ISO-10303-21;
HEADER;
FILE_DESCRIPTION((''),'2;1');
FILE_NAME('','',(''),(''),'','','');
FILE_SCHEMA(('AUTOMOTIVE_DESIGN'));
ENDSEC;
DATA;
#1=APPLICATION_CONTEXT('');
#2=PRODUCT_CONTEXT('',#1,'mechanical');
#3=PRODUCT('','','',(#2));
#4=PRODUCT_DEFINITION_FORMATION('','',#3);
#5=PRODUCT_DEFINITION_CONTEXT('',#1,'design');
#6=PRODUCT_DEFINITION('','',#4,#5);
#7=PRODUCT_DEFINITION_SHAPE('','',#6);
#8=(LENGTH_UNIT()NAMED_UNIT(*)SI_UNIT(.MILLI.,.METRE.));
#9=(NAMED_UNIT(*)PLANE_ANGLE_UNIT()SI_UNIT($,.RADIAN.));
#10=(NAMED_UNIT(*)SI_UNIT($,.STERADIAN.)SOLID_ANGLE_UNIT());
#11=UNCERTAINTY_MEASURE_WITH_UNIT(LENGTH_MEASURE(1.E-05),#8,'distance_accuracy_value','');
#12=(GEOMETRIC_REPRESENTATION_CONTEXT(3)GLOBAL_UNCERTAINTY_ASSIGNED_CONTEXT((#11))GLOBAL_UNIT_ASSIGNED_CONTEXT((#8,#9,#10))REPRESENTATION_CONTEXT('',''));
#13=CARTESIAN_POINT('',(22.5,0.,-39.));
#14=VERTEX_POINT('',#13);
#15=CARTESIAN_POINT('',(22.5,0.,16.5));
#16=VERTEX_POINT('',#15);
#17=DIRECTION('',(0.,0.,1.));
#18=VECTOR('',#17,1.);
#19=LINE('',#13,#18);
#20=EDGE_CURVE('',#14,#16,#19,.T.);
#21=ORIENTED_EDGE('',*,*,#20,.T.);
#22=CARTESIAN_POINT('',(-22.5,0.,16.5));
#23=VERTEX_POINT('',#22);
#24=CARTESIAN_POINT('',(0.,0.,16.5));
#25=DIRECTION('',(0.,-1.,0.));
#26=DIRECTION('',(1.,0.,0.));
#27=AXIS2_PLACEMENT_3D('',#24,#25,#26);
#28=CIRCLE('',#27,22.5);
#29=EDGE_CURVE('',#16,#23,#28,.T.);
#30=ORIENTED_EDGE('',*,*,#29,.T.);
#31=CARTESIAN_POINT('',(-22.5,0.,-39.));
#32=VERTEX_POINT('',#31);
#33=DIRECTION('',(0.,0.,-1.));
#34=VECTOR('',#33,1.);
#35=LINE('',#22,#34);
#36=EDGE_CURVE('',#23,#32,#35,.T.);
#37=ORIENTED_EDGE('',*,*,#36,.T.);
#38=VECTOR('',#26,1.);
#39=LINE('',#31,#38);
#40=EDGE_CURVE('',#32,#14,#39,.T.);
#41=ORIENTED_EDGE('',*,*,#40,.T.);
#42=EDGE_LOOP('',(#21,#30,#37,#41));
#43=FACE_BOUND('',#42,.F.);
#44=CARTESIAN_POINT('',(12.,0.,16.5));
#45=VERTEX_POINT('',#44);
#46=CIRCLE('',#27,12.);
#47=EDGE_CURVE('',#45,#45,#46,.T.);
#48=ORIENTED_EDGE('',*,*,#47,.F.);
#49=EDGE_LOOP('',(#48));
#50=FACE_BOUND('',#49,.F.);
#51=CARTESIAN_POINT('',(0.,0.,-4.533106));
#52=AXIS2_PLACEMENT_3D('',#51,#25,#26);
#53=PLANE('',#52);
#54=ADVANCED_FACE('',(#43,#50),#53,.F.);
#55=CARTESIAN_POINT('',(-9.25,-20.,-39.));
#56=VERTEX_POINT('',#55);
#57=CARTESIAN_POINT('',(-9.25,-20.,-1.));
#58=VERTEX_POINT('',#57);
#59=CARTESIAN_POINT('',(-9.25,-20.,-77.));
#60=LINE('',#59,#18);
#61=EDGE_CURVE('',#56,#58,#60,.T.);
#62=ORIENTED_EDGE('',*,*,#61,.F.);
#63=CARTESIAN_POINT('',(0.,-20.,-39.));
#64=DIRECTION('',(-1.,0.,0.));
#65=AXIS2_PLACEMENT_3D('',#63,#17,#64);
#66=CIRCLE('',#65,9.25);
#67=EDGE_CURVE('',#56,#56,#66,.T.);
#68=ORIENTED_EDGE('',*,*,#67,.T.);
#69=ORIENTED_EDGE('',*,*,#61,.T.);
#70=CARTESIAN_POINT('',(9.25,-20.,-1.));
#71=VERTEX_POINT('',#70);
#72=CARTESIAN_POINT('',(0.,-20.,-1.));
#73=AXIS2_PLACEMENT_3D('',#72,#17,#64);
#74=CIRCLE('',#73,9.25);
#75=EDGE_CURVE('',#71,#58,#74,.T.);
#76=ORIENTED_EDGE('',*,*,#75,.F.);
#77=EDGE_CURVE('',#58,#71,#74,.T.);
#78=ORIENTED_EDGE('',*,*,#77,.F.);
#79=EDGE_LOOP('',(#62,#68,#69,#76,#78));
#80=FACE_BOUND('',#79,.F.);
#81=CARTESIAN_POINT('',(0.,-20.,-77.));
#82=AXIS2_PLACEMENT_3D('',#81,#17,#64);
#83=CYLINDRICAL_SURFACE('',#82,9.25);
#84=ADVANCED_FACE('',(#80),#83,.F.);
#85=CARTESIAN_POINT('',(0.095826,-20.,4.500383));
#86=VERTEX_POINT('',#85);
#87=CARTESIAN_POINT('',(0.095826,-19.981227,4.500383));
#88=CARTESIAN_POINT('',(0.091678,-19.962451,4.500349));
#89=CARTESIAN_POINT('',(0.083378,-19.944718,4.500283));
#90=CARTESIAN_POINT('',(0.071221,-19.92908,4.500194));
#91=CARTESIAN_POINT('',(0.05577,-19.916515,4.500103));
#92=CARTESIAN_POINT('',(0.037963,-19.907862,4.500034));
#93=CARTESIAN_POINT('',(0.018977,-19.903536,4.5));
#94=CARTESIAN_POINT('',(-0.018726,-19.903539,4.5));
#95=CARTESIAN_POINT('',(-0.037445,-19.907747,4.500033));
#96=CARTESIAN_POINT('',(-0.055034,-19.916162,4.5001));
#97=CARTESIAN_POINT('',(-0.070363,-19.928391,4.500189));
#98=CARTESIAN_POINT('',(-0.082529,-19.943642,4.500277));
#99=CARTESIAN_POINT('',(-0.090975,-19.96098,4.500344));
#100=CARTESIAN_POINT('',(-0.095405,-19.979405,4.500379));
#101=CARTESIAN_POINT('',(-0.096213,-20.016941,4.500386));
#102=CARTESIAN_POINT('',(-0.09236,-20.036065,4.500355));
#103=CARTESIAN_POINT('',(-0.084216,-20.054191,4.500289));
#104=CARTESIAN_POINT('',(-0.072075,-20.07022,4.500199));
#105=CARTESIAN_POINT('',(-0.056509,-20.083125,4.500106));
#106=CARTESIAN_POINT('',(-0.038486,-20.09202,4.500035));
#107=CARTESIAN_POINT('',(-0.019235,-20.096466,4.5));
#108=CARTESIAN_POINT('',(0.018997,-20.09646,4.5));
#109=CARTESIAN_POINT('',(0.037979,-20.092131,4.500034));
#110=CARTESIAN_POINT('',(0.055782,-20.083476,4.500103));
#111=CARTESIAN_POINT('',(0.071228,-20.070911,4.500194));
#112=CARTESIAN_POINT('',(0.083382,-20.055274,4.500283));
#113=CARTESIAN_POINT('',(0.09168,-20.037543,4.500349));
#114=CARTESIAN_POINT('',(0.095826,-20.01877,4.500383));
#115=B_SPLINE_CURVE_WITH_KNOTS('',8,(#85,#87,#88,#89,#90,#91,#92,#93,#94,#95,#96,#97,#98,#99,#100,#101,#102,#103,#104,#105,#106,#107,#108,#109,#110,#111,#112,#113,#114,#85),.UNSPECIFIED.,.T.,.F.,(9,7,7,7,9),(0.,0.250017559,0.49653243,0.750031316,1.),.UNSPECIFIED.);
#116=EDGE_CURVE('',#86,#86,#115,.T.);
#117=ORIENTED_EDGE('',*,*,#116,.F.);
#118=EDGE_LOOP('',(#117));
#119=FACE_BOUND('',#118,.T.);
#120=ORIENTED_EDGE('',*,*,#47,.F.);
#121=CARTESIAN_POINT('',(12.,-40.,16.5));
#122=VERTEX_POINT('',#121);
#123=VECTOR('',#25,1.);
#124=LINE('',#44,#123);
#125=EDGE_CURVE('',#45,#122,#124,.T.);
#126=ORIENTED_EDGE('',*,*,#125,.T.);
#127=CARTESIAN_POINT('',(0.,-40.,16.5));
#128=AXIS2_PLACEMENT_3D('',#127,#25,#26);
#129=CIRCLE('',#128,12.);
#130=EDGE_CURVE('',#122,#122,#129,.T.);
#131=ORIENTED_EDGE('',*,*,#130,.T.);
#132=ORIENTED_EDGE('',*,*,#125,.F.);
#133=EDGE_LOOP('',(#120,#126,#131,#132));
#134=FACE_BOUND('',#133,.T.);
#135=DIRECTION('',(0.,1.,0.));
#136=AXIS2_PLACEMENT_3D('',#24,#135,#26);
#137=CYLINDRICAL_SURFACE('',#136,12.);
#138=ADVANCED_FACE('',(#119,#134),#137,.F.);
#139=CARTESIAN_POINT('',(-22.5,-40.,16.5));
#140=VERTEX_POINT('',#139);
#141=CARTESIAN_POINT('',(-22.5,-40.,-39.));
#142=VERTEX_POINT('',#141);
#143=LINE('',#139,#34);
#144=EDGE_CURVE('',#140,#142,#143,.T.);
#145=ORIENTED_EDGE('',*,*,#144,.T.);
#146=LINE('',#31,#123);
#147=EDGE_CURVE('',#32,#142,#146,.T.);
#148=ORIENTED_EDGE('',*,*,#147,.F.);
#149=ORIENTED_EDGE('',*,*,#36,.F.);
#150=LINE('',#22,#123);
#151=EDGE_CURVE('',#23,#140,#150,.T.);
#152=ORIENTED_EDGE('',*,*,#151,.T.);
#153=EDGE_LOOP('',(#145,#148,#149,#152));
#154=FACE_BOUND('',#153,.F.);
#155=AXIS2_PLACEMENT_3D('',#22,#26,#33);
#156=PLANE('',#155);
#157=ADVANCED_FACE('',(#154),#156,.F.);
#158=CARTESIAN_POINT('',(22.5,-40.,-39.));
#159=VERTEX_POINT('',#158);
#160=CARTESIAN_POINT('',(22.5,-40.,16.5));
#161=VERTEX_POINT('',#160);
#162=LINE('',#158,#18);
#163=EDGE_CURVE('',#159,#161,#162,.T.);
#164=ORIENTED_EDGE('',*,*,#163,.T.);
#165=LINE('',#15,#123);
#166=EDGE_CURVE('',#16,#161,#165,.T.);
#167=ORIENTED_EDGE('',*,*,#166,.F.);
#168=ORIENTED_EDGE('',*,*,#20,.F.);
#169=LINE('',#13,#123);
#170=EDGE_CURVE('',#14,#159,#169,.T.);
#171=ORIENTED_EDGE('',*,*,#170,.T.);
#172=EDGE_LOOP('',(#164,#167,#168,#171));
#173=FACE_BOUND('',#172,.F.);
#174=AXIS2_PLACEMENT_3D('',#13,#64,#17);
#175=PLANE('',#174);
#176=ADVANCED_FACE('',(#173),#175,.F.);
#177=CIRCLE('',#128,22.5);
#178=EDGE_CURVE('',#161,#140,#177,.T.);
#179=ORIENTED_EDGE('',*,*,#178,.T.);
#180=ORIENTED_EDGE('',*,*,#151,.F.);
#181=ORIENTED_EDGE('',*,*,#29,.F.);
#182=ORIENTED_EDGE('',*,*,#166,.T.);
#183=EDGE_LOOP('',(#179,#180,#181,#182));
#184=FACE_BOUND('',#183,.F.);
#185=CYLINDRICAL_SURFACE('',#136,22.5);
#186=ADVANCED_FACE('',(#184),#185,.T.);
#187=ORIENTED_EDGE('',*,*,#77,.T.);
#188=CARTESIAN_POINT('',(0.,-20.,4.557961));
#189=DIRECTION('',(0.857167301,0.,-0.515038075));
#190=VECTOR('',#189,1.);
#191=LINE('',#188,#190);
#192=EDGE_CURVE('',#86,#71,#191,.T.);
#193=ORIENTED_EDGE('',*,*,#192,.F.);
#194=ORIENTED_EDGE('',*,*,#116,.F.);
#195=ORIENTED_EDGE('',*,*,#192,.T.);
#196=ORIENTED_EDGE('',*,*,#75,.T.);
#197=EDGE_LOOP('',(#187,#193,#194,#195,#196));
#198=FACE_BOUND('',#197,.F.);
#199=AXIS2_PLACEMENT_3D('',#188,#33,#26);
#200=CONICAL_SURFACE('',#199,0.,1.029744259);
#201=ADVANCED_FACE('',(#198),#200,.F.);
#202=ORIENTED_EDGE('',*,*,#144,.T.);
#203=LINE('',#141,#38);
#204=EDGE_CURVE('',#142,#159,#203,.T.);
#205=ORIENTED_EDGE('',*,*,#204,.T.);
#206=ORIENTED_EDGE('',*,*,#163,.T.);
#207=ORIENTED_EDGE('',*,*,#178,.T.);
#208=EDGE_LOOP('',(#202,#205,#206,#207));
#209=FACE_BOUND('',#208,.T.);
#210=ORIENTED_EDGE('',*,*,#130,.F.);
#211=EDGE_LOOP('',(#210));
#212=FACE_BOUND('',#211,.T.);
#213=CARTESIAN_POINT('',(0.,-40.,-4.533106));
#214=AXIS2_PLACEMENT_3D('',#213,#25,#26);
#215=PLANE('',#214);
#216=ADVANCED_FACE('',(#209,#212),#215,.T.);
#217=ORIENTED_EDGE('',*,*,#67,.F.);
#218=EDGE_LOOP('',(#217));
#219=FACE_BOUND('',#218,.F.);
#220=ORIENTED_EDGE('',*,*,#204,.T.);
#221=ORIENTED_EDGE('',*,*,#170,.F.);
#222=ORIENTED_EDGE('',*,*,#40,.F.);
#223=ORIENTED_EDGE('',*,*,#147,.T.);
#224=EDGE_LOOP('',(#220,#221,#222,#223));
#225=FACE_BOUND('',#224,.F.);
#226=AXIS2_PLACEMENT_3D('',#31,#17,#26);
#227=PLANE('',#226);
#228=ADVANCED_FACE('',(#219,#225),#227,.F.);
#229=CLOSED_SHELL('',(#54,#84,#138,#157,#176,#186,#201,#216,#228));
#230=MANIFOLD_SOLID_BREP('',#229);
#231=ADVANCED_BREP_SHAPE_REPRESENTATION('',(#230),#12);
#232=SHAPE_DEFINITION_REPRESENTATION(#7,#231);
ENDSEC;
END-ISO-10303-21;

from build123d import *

# Parameters (mm, degrees)
F0_R     = 12
F1_DEPTH = 40
F3_D     = 18.5
F3_DEPTH = 38
F3_TIP   = 5.557960726


with BuildPart() as f1:
    # F0 (on Front) → F1 (new body)
    with BuildSketch(Plane.XZ):
        with BuildLine():
            Line((-22.5, -39), (22.5, -39))
            Line((22.5, -39), (22.5, 16.5))
            ThreePointArc((22.5, 16.5), (0, 39), (-22.5, 16.5))
            Line((-22.5, 16.5), (-22.5, -39))
        make_face()
        with Locations((0, 16.5)):
            Circle(F0_R, mode=Mode.SUBTRACT)
    extrude(amount=F1_DEPTH)

    # F3
    with Locations(Plane(origin=(0, 0, -39), x_dir=(1, 0, 0), z_dir=(0, 0, -1))):
        with Locations((0, 20)):
            Hole(F3_D / 2, depth=F3_DEPTH)
            with Locations((0, 0, -(F3_DEPTH + F3_TIP / 2))):  # 118° drill point
                Cone(0, F3_D / 2, F3_TIP, mode=Mode.SUBTRACT)


solid = f1.part
